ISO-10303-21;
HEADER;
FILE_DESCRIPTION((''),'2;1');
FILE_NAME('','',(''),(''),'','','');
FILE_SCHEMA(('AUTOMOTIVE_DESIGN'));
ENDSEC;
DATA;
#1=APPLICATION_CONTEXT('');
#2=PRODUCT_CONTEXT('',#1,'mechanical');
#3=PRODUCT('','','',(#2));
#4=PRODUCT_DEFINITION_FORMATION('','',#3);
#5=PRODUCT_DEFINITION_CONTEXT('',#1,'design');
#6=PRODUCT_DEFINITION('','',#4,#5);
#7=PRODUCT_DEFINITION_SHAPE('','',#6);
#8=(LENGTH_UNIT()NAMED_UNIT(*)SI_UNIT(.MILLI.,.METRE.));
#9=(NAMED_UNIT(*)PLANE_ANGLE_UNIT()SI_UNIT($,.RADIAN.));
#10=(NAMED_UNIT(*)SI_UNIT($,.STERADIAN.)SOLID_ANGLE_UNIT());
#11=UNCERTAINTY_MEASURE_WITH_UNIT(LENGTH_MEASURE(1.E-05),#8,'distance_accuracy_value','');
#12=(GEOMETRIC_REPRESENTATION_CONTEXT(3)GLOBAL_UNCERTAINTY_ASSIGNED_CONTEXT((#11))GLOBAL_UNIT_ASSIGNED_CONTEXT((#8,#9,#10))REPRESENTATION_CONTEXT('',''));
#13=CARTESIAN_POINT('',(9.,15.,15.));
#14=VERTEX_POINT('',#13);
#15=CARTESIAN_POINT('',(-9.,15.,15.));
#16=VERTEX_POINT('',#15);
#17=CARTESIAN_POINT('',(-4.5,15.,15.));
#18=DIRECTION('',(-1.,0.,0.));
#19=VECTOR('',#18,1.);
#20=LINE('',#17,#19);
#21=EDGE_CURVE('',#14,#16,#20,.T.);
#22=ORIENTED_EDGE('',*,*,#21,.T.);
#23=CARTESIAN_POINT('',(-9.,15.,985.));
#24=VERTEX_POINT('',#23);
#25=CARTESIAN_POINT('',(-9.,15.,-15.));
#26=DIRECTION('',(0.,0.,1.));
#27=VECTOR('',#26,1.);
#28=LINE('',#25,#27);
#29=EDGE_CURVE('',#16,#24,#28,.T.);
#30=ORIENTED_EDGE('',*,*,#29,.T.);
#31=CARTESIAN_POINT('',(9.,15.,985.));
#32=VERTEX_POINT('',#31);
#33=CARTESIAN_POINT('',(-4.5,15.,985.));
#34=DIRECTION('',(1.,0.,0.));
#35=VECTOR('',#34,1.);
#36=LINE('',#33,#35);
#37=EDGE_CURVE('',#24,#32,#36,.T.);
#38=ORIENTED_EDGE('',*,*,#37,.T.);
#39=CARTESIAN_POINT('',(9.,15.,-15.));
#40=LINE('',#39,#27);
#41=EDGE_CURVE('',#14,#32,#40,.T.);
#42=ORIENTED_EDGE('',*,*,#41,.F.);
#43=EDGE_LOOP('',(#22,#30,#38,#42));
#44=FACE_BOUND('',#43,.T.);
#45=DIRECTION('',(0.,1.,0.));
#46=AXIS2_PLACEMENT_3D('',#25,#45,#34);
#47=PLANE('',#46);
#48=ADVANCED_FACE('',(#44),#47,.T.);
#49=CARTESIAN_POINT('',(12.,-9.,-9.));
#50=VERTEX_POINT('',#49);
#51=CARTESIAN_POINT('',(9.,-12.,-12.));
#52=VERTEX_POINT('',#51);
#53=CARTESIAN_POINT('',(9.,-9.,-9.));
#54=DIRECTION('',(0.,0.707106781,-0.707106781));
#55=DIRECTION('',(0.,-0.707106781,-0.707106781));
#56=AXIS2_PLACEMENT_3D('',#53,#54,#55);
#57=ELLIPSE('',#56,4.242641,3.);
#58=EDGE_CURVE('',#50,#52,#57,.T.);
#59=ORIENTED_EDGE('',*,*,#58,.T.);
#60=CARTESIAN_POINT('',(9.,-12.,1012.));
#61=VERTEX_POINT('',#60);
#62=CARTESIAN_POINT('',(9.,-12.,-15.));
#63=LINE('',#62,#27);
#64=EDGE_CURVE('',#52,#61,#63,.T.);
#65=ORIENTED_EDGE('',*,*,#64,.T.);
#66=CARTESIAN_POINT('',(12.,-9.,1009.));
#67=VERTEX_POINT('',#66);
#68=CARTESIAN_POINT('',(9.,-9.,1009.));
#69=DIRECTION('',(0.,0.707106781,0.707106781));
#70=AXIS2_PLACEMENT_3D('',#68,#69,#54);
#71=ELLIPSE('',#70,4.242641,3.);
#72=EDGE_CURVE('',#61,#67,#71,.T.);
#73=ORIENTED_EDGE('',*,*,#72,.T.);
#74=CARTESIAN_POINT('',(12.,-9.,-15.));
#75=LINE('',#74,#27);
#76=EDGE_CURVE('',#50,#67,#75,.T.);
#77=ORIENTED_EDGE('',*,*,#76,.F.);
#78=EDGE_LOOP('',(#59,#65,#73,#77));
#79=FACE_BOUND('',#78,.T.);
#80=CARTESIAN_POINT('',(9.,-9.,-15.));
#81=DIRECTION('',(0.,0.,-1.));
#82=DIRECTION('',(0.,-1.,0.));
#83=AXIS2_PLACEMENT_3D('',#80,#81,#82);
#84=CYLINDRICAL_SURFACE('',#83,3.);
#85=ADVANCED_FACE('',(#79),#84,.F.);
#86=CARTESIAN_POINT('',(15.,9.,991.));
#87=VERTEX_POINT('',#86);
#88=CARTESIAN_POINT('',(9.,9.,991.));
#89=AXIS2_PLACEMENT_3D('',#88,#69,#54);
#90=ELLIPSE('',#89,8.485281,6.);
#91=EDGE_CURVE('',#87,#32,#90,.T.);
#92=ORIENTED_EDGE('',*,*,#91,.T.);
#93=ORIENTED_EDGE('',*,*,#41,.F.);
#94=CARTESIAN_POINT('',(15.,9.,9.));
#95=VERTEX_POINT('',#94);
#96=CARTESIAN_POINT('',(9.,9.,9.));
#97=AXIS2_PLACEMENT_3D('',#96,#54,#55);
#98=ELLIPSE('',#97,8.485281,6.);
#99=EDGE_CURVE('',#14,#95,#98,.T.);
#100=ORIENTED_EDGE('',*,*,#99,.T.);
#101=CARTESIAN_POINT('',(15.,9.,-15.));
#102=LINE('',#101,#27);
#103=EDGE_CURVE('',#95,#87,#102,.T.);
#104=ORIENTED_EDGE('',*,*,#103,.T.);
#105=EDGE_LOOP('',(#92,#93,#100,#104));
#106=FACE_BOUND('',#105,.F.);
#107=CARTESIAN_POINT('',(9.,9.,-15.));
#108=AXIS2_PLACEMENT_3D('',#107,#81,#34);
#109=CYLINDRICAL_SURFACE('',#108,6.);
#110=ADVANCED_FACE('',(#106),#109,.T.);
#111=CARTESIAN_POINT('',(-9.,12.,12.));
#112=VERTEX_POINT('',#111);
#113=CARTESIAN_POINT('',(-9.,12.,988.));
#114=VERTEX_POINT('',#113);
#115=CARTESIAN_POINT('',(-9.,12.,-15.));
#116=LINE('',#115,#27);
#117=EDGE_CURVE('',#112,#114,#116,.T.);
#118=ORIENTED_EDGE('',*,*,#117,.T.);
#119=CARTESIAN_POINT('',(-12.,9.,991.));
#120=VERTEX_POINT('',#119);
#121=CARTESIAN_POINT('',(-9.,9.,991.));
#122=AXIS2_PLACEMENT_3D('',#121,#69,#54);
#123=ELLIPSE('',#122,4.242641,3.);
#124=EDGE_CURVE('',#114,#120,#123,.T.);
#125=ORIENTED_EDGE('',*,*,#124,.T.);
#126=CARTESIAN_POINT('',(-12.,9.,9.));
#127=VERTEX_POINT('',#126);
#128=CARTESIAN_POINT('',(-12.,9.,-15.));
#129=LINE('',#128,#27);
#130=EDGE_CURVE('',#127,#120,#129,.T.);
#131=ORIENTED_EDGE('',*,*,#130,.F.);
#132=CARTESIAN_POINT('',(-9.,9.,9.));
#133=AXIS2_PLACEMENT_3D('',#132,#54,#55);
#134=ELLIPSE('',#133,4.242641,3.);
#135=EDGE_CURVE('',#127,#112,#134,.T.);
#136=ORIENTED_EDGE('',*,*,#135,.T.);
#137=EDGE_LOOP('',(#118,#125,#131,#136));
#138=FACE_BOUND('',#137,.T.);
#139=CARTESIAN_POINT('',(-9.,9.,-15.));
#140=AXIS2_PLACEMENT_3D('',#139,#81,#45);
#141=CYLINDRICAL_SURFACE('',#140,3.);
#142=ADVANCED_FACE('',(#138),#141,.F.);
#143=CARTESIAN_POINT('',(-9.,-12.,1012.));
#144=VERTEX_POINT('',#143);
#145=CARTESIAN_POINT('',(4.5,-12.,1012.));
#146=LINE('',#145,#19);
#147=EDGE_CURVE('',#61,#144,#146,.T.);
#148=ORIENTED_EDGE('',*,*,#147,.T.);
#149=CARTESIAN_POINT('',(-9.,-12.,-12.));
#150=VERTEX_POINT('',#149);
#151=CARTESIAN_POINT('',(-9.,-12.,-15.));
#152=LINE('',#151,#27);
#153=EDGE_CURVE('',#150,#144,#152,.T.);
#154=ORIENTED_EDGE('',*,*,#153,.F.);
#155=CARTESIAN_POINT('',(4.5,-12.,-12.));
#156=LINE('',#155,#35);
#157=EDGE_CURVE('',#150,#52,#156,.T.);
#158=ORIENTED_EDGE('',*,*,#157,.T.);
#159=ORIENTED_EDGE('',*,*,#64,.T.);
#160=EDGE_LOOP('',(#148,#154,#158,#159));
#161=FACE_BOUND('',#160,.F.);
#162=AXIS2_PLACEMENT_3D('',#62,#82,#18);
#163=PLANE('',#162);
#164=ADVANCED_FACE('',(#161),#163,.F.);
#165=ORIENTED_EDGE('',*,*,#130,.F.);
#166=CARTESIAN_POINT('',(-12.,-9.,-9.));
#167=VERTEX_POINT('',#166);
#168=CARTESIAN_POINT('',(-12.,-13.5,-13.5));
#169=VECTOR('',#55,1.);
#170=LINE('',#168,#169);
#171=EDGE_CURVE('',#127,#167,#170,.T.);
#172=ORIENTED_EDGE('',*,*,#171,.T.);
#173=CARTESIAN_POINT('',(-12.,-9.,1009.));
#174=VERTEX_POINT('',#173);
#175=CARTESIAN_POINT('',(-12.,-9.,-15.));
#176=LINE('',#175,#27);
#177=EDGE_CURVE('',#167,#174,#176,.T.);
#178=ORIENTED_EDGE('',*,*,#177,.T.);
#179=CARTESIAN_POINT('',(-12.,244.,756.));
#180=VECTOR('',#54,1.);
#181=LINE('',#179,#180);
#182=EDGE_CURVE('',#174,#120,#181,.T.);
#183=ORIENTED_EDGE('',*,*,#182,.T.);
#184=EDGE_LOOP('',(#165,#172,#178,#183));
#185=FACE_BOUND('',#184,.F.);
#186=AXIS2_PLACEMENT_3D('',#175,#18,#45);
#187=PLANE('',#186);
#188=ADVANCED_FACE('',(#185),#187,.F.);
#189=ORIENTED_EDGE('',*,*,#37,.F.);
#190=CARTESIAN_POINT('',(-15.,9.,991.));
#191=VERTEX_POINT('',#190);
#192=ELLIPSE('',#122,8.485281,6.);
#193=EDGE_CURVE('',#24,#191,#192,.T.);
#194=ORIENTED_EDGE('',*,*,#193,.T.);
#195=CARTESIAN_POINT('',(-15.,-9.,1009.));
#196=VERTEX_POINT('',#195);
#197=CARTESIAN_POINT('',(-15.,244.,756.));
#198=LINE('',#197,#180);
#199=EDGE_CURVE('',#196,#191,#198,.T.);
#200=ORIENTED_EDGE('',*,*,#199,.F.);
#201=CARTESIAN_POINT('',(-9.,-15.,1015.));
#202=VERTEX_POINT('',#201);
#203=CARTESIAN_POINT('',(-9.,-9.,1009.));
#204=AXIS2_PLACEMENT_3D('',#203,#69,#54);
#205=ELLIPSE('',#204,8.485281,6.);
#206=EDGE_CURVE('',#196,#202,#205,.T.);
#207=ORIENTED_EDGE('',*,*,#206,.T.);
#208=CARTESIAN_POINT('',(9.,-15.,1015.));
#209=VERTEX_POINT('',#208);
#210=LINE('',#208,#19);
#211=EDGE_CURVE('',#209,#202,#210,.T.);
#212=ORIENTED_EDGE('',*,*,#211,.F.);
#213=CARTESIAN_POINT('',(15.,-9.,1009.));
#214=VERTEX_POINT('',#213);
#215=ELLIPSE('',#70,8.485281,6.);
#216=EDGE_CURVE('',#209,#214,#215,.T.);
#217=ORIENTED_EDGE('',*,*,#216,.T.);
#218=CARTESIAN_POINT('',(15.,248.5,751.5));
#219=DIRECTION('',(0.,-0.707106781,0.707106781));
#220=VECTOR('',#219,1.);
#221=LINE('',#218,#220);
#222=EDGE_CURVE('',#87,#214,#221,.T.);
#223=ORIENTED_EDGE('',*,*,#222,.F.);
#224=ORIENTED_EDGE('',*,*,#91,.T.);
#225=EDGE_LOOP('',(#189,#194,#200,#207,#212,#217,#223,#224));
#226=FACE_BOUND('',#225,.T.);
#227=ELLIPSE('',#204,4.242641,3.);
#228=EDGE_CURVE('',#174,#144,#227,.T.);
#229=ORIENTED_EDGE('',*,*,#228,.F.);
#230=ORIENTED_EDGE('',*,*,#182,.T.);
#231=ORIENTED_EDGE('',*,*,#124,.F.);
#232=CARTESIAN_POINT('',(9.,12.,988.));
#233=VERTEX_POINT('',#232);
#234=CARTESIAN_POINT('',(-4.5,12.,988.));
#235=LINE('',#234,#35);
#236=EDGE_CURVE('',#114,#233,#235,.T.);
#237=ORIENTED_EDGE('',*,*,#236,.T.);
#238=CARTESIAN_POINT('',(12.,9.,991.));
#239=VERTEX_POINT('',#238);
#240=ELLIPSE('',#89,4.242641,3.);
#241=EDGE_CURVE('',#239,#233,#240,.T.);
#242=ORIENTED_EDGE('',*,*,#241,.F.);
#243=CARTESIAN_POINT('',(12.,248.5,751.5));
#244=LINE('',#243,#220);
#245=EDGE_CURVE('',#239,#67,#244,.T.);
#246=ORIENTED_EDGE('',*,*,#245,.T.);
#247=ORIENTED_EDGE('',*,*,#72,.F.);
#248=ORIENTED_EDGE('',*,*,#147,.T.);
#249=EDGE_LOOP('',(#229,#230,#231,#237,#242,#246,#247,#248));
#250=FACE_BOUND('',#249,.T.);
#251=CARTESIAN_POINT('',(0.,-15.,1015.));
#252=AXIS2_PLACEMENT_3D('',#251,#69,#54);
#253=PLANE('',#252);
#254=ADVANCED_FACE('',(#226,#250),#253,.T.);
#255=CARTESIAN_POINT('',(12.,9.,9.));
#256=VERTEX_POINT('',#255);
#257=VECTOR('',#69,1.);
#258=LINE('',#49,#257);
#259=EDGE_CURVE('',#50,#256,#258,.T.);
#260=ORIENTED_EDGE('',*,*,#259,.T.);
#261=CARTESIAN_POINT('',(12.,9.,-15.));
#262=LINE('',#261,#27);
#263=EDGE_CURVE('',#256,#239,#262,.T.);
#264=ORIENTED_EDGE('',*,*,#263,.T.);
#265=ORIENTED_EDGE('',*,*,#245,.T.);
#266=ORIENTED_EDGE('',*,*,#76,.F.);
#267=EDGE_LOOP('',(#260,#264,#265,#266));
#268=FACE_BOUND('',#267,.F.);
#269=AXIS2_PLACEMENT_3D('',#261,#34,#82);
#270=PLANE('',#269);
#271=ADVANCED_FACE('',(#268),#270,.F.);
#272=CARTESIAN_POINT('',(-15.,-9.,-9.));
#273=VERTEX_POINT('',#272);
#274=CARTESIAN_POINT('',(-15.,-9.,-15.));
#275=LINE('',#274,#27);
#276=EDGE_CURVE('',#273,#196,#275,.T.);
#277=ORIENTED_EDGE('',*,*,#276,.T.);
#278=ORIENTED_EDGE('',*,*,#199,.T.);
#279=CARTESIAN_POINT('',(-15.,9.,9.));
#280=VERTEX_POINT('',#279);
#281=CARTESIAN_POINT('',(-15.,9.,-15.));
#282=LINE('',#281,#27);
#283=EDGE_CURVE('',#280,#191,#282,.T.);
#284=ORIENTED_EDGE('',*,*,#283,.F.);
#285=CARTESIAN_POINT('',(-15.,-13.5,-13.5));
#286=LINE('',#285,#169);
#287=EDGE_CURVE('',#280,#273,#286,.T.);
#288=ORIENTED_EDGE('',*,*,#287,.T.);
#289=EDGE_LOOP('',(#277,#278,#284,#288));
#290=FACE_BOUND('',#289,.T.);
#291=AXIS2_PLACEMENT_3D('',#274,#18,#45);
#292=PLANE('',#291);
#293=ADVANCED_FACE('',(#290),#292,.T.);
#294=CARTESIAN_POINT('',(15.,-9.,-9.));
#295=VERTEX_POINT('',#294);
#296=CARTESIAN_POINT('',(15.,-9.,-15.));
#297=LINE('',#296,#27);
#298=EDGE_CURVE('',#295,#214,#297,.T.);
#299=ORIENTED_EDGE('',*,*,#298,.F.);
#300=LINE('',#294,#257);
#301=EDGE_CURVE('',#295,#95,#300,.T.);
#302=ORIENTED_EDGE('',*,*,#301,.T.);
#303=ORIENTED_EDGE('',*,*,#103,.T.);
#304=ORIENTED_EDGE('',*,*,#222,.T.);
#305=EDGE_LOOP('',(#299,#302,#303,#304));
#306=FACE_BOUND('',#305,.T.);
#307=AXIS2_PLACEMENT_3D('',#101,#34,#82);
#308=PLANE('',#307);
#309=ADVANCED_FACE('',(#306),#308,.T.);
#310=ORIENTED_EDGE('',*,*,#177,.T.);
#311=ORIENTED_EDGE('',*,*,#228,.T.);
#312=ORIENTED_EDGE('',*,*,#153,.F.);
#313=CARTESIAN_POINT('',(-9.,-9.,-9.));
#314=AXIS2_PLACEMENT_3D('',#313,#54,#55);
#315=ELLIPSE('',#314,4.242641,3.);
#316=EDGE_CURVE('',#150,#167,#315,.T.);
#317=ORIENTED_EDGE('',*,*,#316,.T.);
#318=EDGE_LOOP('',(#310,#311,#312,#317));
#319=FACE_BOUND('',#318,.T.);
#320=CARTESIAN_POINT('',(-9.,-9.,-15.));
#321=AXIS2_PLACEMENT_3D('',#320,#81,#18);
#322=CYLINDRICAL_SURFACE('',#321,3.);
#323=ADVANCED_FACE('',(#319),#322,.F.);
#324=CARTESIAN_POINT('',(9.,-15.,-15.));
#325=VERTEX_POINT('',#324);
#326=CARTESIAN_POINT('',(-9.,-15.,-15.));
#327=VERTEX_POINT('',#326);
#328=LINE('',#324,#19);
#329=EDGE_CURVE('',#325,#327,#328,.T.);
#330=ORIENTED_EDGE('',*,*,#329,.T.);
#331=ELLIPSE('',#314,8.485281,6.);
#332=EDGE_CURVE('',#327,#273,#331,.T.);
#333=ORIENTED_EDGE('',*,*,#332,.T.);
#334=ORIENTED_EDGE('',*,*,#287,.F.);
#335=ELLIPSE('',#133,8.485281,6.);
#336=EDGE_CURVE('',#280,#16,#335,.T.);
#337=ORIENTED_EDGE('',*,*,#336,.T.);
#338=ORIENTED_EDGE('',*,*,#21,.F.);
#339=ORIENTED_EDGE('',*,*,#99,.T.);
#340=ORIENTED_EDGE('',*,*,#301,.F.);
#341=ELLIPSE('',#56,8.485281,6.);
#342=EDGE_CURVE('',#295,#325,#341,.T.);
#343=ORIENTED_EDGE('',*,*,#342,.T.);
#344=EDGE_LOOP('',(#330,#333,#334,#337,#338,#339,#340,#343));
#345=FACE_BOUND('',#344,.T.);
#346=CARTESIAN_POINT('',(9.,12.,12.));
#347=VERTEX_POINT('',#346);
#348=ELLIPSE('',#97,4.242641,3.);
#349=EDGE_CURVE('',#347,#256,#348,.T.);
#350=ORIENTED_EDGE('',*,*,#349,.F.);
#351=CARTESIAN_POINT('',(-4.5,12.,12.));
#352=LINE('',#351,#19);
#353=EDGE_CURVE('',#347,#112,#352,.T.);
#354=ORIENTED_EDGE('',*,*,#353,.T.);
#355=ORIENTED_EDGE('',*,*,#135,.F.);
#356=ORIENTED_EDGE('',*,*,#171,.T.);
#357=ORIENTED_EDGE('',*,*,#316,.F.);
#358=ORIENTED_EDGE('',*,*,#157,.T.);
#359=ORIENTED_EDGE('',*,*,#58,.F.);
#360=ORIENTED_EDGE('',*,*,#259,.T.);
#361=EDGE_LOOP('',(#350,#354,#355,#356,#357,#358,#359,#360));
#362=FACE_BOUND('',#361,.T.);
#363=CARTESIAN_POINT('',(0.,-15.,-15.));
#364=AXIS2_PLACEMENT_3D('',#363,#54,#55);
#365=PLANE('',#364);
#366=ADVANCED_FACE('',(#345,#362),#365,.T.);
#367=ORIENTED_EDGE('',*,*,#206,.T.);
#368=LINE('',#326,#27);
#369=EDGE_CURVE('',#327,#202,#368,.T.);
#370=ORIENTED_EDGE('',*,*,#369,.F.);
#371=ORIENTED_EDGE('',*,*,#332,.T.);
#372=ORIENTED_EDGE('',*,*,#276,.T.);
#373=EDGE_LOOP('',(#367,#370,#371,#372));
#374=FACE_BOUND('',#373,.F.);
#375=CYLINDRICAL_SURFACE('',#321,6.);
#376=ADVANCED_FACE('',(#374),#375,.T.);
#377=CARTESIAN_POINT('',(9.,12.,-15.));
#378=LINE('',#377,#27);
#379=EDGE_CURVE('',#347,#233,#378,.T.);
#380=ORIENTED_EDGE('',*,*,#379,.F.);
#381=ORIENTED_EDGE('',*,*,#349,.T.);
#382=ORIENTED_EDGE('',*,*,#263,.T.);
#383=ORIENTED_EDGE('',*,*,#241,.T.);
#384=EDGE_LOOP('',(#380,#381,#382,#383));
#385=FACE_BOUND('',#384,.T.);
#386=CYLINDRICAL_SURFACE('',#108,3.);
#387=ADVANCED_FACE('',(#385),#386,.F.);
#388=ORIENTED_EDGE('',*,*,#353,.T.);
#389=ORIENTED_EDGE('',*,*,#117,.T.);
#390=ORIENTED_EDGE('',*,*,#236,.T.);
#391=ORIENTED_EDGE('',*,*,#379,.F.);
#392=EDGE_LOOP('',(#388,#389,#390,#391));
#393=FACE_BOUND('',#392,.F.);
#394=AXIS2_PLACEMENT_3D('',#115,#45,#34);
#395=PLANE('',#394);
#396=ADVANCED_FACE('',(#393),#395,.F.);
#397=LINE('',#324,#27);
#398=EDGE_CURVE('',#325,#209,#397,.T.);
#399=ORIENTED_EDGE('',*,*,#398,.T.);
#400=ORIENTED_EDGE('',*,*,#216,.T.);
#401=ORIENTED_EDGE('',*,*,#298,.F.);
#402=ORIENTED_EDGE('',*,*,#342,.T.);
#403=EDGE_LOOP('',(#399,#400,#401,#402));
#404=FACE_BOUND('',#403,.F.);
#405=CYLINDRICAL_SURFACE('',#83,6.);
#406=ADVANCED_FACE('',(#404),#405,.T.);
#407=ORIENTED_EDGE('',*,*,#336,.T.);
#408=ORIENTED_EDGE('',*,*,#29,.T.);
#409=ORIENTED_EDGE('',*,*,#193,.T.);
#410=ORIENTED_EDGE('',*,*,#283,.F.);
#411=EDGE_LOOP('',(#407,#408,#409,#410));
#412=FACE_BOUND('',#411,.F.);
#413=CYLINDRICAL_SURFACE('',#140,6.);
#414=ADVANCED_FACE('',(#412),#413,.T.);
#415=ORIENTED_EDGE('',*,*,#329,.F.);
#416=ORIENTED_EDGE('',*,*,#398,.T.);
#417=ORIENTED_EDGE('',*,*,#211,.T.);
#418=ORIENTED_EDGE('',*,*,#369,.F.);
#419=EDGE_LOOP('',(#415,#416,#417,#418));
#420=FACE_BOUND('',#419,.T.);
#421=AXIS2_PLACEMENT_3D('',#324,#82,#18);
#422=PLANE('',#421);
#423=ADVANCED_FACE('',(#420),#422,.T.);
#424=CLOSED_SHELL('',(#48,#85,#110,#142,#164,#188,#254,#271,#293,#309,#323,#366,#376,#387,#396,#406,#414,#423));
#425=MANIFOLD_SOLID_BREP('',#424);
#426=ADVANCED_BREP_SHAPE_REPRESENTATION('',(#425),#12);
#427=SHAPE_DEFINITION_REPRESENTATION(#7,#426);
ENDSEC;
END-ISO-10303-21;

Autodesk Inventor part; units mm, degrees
ref_plane "Start Plane" through (0, 0, -15) normal (0, 0, 1) x (1, 0, 0)
ref_plane "End Plane" through (0, 0, 1015) normal (0, 0, 1) x (1, 0, 0)
sketch "Sketch" plane through (0, 0, 0) normal (0, 0, 1) x (1, 0, 0)
  line L0 (-15, -9) -> (-15, 9)
  line L1 (-9, 15) -> (9, 15)
  line L2 (15, 9) -> (15, -9)
  line L3 (9, -15) -> (-9, -15)
  arc A0 (-15, -9) -> (-9, -15) centre (-9, -9) ccw
  arc A1 (-9, 15) -> (-15, 9) centre (-9, 9) ccw
  arc A2 (15, 9) -> (9, 15) centre (9, 9) ccw
  arc A3 (9, -15) -> (15, -9) centre (9, -9) ccw
  arc A4 (-9, 12) -> (-12, 9) centre (-9, 9) ccw
  line L4 (-9, 12) -> (9, 12)
  arc A5 (12, 9) -> (9, 12) centre (9, 9) ccw
  line L5 (12, 9) -> (12, -9)
  arc A6 (9, -12) -> (12, -9) centre (9, -9) ccw
  line L6 (9, -12) -> (-9, -12)
  arc A7 (-12, -9) -> (-9, -12) centre (-9, -9) ccw
  line L7 (-12, -9) -> (-12, 9)
  line L8 (0, 22.7397) -> (0, -22.7397) construction
  line L9 (-22.7397, 0) -> (22.7397, 0) construction
  dimension "d7" = 6
  dimension "d10" = 30
  dimension "d11" = 30
  dimension "d12" = 3
  dimension "d15" = 15
  dimension "d16" = 15
extrude "Body" add sketch "Sketch" along normal up to surface (1030 mm away) from surface at -15
sketch "Sketch3" plane through (0, 0, 0) normal (0, 0, 1) x (1, 0, 0)
  line L0 (0, 0) -> (10, 0)
ref_plane "Work Plane3" through (0, 0, 0) normal (0, -1, 0) x (1, 0, 0)
ref_plane "Work Plane4" through (0, -15, 1015) normal (0, 0.7071, 0.7071) x (1, 0, 0)
split "Split1" plane through (0, -15, 1015) removes the side toward (0, 0.7071, 0.7071)
ref_plane "Work Plane5" through (0, -15, -15) normal (0, 0.7071, -0.7071) x (1, 0, 0)
split "Split2" plane through (0, -15, -15) removes the side toward (0, 0.7071, -0.7071)
sketch "Sketch4" plane through (0, 0, 0) normal (0, -1, 0) x (1, 0, 0)
  line L0 (-2, -15) -> (12, -15) projected
  line L1 (-2, 1015) -> (12, 1015) projected
  dimension "d18" = 1030
equation "\"d7\" = G_IR"
equation "\"d10\" = G_H"
equation "\"d11\" = G_W"
equation "\"d12\" = G_T"
equation "\"d15\" = 0.5 * d10"
equation "\"d16\" = 0.5 * d11"
equation "\"d3\" = G_L"
equation "\"G_W\" = 30"
equation "\"G_H\" = 30"
equation "\"G_T\" = 3"
equation "\"G_IR\" = 6"
equation "\"G_L\" = d18"
equation "\"G_OFFSET_START\" = 15"
equation "\"G_OFFSET_END\" = 15"
equation "\"d13\" = -G_OFFSET_START"
equation "\"d14\" = G_OFFSET_END + B_L"
equation "\"B_L\" = 1000"
properties part number "DIN EN 10219-2 - 30 x 30 x 3  - 1030" material "Steel, Mild"
